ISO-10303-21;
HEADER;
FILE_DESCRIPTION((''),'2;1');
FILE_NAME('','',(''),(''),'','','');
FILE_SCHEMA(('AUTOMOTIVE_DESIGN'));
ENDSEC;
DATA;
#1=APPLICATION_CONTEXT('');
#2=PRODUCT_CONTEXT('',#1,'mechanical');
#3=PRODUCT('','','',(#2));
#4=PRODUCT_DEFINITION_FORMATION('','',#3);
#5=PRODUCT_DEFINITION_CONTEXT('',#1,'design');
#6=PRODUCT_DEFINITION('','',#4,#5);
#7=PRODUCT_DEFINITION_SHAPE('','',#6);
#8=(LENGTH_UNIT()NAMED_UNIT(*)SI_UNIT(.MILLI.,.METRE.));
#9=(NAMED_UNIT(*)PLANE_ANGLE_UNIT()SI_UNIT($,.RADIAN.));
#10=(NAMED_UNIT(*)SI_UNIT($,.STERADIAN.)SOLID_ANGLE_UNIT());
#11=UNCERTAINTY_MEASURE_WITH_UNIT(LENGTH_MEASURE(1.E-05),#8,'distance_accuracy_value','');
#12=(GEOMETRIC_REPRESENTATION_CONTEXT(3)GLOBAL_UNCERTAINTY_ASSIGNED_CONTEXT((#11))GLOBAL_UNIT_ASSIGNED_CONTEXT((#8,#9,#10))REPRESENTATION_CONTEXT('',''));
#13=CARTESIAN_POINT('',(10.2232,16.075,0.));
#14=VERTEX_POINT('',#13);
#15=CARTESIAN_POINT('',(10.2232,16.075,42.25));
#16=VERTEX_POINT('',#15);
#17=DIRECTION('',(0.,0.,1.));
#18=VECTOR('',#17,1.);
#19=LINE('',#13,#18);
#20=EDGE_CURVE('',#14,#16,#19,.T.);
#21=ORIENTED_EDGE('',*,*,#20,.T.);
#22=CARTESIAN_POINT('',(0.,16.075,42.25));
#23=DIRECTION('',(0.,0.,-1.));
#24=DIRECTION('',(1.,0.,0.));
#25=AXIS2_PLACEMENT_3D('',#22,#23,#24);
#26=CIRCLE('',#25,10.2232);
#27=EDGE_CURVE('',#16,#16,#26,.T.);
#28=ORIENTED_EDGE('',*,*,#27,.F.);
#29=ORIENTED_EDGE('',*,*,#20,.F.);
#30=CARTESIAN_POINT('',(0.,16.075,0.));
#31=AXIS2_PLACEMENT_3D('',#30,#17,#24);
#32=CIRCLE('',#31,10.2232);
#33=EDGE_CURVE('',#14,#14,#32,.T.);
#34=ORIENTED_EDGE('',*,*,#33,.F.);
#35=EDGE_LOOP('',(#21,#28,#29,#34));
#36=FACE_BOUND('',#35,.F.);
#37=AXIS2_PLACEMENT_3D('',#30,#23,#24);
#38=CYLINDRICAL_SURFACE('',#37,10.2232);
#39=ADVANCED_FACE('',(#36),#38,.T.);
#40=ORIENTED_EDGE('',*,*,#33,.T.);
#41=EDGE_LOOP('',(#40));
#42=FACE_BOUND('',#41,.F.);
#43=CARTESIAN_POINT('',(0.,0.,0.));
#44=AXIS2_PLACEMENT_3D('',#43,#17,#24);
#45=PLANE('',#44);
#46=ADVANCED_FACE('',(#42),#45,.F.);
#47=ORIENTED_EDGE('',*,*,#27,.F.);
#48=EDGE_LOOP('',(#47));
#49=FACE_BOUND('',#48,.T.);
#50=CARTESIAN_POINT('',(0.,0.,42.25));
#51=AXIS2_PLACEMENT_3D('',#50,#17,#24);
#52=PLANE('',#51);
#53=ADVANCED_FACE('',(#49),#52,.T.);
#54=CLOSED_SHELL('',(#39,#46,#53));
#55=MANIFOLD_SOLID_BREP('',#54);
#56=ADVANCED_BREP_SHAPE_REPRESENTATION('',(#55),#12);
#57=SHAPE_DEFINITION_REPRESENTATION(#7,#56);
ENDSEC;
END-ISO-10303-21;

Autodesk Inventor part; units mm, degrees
ref_plane "YZ Plane" through (0, 0, 0) normal (1, 0, 0) x (0, 1, 0)
ref_plane "XZ Plane" through (0, 0, 0) normal (0, 1, 0) x (-1, 0, 0)
ref_plane "XY Plane" through (0, 0, 0) normal (0, 0, 1) x (1, 0, 0)
ref_plane "Work Plane1" through (0, 0, 0) normal (0, 0, 1) x (1, 0, 0)
sketch "Sketch1" plane through (0, 0, 0) normal (0, 0, 1) x (1, 0, 0)
  line L0 (-187.5, 97.5) -> (187.5, 97.5) projected
  line L1 (-187.5, -97.5) -> (-187.5, 97.5) projected
  line L2 (187.5, -97.5) -> (-187.5, -97.5) projected
  line L3 (187.5, 97.5) -> (187.5, -97.5) projected
  line L4 (0, -97.5) -> (0, 97.5) construction
  line L5 (-187.5, 0) -> (187.5, 0) construction
  circle A0 centre (0, 16.075) radius 10.2232
  line L6 (-404.725, 6.075) -> (404.725, 6.075)
  line L7 (-404.725, 26.075) -> (404.725, 26.075)
  line L8 (0, 26.075) -> (0, 6.075)
  dimension "d0" = 20.4464
extrude "Extrusion1" add sketch "Sketch1" along normal blind 42.25 contours L7 L8 L6 A0 | A0 L7 | A0 L6 L8 L7 | L6 A0
properties part number "GEAR_SHAFT1"
